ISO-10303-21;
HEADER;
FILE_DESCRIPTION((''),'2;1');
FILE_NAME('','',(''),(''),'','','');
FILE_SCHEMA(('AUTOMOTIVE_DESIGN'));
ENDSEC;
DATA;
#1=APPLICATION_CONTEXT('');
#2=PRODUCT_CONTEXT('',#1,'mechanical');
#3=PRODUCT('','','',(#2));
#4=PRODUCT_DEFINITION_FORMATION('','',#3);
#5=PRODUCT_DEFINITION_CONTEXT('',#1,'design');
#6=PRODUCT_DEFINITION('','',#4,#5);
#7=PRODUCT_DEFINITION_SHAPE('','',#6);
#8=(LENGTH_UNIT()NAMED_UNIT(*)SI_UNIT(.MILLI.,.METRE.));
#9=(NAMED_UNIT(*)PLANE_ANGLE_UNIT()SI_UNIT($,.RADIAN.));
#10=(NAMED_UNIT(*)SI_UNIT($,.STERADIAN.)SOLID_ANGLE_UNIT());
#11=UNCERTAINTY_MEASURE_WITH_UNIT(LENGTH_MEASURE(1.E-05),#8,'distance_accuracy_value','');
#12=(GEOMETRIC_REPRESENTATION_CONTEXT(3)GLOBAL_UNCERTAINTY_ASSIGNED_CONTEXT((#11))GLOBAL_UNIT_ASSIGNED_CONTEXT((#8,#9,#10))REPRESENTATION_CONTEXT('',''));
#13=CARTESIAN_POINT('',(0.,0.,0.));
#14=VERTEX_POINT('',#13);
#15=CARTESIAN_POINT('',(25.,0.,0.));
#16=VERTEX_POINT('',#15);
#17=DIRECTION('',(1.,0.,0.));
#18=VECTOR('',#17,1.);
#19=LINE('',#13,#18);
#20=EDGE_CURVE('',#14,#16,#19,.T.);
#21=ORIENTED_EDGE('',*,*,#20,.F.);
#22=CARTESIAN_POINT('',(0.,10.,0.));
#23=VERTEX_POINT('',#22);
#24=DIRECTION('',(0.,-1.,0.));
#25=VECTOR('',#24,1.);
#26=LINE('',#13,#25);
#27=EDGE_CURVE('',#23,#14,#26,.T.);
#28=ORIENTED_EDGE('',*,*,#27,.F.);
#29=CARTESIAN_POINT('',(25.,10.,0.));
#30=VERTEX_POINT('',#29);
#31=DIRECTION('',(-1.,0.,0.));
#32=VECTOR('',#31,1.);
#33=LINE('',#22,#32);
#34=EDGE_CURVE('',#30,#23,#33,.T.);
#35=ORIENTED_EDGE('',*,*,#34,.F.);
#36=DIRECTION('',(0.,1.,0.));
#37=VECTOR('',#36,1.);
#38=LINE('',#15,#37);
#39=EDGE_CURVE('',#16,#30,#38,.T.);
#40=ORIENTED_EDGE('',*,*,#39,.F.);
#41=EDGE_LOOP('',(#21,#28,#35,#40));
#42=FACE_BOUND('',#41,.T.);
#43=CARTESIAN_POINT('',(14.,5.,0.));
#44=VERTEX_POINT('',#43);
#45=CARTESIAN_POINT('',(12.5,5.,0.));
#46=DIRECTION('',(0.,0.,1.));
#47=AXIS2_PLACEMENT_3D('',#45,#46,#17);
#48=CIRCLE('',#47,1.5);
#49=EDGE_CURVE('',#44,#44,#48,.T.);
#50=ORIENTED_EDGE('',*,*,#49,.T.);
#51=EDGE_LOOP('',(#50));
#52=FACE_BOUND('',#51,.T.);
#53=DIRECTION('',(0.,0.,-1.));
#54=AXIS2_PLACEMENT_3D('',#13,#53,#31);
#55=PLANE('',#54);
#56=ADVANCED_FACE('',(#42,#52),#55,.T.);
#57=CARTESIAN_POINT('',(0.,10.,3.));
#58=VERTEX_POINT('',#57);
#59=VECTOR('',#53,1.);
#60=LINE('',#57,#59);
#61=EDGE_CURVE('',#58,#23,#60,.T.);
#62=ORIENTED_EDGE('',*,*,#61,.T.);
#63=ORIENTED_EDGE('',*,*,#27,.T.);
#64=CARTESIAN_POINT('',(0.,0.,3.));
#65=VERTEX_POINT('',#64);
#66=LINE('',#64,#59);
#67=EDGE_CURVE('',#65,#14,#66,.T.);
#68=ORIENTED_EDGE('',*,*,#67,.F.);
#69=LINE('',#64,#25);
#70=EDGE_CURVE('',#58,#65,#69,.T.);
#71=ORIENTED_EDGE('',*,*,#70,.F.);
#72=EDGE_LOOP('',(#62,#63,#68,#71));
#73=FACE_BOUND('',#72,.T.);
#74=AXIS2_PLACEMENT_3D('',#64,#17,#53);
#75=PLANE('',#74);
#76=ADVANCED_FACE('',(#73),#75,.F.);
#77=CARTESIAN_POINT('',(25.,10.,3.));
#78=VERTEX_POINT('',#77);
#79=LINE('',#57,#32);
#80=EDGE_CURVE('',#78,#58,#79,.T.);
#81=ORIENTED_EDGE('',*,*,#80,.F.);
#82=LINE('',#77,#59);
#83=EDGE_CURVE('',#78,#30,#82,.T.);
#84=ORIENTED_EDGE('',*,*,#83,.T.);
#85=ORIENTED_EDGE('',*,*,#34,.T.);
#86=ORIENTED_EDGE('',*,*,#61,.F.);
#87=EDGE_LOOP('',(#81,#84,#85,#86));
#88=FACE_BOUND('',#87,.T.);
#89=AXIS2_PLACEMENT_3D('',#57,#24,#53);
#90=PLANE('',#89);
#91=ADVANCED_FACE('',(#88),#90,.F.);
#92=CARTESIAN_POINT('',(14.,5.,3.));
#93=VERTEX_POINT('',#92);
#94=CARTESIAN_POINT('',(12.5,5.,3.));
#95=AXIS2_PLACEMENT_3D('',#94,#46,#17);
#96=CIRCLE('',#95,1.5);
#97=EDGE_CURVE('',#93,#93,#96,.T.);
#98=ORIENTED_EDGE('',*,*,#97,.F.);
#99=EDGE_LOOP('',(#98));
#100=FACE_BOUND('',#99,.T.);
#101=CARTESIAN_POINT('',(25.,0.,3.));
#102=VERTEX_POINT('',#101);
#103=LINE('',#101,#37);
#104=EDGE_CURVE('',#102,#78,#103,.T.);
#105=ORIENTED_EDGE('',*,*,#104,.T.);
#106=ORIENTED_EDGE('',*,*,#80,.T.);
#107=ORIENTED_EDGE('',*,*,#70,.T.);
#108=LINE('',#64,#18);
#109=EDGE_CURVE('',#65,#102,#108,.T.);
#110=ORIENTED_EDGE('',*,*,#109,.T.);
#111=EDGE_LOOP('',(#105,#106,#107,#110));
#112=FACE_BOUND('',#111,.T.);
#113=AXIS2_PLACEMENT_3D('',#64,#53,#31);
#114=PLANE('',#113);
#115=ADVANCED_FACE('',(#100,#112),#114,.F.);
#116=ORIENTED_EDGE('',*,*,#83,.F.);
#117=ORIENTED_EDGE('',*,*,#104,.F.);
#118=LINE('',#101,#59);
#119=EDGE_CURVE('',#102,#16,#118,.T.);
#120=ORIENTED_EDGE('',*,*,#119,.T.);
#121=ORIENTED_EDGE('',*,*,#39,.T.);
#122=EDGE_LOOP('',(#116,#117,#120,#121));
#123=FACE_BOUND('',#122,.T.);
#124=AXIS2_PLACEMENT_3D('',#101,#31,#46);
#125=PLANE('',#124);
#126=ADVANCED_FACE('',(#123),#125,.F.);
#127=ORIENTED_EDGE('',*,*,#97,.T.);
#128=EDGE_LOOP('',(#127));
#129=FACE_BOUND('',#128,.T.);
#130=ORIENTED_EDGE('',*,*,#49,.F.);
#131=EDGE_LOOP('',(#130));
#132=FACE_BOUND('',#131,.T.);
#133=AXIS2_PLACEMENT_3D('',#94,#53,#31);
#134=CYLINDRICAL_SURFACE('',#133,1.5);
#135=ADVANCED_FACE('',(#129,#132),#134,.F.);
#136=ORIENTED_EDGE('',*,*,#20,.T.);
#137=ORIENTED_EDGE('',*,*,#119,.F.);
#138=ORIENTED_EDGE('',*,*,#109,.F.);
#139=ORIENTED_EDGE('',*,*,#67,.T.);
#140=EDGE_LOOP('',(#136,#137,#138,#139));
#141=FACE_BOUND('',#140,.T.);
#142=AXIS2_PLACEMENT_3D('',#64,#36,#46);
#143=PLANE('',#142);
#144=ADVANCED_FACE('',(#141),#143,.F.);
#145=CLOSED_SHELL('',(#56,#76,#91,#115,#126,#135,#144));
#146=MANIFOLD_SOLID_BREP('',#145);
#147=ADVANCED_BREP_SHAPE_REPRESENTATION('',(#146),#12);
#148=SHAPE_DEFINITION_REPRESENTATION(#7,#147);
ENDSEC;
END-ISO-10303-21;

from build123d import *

# Parameters (mm, degrees)
EDRAWING1_W     = 25
EDRAWING1_H     = 10
EDRAWING1_R     = 1.5
EXTRUDE_2_DEPTH = 3


with BuildPart() as part:
    # edrawing1 → extrude 2 (new body)
    with BuildSketch(Plane.XY):
        with Locations((12.5, 5)):
            Rectangle(EDRAWING1_W, EDRAWING1_H)
        with Locations((12.5, 5)):
            Circle(EDRAWING1_R, mode=Mode.SUBTRACT)
    extrude(amount=EXTRUDE_2_DEPTH)


solid = part.part
